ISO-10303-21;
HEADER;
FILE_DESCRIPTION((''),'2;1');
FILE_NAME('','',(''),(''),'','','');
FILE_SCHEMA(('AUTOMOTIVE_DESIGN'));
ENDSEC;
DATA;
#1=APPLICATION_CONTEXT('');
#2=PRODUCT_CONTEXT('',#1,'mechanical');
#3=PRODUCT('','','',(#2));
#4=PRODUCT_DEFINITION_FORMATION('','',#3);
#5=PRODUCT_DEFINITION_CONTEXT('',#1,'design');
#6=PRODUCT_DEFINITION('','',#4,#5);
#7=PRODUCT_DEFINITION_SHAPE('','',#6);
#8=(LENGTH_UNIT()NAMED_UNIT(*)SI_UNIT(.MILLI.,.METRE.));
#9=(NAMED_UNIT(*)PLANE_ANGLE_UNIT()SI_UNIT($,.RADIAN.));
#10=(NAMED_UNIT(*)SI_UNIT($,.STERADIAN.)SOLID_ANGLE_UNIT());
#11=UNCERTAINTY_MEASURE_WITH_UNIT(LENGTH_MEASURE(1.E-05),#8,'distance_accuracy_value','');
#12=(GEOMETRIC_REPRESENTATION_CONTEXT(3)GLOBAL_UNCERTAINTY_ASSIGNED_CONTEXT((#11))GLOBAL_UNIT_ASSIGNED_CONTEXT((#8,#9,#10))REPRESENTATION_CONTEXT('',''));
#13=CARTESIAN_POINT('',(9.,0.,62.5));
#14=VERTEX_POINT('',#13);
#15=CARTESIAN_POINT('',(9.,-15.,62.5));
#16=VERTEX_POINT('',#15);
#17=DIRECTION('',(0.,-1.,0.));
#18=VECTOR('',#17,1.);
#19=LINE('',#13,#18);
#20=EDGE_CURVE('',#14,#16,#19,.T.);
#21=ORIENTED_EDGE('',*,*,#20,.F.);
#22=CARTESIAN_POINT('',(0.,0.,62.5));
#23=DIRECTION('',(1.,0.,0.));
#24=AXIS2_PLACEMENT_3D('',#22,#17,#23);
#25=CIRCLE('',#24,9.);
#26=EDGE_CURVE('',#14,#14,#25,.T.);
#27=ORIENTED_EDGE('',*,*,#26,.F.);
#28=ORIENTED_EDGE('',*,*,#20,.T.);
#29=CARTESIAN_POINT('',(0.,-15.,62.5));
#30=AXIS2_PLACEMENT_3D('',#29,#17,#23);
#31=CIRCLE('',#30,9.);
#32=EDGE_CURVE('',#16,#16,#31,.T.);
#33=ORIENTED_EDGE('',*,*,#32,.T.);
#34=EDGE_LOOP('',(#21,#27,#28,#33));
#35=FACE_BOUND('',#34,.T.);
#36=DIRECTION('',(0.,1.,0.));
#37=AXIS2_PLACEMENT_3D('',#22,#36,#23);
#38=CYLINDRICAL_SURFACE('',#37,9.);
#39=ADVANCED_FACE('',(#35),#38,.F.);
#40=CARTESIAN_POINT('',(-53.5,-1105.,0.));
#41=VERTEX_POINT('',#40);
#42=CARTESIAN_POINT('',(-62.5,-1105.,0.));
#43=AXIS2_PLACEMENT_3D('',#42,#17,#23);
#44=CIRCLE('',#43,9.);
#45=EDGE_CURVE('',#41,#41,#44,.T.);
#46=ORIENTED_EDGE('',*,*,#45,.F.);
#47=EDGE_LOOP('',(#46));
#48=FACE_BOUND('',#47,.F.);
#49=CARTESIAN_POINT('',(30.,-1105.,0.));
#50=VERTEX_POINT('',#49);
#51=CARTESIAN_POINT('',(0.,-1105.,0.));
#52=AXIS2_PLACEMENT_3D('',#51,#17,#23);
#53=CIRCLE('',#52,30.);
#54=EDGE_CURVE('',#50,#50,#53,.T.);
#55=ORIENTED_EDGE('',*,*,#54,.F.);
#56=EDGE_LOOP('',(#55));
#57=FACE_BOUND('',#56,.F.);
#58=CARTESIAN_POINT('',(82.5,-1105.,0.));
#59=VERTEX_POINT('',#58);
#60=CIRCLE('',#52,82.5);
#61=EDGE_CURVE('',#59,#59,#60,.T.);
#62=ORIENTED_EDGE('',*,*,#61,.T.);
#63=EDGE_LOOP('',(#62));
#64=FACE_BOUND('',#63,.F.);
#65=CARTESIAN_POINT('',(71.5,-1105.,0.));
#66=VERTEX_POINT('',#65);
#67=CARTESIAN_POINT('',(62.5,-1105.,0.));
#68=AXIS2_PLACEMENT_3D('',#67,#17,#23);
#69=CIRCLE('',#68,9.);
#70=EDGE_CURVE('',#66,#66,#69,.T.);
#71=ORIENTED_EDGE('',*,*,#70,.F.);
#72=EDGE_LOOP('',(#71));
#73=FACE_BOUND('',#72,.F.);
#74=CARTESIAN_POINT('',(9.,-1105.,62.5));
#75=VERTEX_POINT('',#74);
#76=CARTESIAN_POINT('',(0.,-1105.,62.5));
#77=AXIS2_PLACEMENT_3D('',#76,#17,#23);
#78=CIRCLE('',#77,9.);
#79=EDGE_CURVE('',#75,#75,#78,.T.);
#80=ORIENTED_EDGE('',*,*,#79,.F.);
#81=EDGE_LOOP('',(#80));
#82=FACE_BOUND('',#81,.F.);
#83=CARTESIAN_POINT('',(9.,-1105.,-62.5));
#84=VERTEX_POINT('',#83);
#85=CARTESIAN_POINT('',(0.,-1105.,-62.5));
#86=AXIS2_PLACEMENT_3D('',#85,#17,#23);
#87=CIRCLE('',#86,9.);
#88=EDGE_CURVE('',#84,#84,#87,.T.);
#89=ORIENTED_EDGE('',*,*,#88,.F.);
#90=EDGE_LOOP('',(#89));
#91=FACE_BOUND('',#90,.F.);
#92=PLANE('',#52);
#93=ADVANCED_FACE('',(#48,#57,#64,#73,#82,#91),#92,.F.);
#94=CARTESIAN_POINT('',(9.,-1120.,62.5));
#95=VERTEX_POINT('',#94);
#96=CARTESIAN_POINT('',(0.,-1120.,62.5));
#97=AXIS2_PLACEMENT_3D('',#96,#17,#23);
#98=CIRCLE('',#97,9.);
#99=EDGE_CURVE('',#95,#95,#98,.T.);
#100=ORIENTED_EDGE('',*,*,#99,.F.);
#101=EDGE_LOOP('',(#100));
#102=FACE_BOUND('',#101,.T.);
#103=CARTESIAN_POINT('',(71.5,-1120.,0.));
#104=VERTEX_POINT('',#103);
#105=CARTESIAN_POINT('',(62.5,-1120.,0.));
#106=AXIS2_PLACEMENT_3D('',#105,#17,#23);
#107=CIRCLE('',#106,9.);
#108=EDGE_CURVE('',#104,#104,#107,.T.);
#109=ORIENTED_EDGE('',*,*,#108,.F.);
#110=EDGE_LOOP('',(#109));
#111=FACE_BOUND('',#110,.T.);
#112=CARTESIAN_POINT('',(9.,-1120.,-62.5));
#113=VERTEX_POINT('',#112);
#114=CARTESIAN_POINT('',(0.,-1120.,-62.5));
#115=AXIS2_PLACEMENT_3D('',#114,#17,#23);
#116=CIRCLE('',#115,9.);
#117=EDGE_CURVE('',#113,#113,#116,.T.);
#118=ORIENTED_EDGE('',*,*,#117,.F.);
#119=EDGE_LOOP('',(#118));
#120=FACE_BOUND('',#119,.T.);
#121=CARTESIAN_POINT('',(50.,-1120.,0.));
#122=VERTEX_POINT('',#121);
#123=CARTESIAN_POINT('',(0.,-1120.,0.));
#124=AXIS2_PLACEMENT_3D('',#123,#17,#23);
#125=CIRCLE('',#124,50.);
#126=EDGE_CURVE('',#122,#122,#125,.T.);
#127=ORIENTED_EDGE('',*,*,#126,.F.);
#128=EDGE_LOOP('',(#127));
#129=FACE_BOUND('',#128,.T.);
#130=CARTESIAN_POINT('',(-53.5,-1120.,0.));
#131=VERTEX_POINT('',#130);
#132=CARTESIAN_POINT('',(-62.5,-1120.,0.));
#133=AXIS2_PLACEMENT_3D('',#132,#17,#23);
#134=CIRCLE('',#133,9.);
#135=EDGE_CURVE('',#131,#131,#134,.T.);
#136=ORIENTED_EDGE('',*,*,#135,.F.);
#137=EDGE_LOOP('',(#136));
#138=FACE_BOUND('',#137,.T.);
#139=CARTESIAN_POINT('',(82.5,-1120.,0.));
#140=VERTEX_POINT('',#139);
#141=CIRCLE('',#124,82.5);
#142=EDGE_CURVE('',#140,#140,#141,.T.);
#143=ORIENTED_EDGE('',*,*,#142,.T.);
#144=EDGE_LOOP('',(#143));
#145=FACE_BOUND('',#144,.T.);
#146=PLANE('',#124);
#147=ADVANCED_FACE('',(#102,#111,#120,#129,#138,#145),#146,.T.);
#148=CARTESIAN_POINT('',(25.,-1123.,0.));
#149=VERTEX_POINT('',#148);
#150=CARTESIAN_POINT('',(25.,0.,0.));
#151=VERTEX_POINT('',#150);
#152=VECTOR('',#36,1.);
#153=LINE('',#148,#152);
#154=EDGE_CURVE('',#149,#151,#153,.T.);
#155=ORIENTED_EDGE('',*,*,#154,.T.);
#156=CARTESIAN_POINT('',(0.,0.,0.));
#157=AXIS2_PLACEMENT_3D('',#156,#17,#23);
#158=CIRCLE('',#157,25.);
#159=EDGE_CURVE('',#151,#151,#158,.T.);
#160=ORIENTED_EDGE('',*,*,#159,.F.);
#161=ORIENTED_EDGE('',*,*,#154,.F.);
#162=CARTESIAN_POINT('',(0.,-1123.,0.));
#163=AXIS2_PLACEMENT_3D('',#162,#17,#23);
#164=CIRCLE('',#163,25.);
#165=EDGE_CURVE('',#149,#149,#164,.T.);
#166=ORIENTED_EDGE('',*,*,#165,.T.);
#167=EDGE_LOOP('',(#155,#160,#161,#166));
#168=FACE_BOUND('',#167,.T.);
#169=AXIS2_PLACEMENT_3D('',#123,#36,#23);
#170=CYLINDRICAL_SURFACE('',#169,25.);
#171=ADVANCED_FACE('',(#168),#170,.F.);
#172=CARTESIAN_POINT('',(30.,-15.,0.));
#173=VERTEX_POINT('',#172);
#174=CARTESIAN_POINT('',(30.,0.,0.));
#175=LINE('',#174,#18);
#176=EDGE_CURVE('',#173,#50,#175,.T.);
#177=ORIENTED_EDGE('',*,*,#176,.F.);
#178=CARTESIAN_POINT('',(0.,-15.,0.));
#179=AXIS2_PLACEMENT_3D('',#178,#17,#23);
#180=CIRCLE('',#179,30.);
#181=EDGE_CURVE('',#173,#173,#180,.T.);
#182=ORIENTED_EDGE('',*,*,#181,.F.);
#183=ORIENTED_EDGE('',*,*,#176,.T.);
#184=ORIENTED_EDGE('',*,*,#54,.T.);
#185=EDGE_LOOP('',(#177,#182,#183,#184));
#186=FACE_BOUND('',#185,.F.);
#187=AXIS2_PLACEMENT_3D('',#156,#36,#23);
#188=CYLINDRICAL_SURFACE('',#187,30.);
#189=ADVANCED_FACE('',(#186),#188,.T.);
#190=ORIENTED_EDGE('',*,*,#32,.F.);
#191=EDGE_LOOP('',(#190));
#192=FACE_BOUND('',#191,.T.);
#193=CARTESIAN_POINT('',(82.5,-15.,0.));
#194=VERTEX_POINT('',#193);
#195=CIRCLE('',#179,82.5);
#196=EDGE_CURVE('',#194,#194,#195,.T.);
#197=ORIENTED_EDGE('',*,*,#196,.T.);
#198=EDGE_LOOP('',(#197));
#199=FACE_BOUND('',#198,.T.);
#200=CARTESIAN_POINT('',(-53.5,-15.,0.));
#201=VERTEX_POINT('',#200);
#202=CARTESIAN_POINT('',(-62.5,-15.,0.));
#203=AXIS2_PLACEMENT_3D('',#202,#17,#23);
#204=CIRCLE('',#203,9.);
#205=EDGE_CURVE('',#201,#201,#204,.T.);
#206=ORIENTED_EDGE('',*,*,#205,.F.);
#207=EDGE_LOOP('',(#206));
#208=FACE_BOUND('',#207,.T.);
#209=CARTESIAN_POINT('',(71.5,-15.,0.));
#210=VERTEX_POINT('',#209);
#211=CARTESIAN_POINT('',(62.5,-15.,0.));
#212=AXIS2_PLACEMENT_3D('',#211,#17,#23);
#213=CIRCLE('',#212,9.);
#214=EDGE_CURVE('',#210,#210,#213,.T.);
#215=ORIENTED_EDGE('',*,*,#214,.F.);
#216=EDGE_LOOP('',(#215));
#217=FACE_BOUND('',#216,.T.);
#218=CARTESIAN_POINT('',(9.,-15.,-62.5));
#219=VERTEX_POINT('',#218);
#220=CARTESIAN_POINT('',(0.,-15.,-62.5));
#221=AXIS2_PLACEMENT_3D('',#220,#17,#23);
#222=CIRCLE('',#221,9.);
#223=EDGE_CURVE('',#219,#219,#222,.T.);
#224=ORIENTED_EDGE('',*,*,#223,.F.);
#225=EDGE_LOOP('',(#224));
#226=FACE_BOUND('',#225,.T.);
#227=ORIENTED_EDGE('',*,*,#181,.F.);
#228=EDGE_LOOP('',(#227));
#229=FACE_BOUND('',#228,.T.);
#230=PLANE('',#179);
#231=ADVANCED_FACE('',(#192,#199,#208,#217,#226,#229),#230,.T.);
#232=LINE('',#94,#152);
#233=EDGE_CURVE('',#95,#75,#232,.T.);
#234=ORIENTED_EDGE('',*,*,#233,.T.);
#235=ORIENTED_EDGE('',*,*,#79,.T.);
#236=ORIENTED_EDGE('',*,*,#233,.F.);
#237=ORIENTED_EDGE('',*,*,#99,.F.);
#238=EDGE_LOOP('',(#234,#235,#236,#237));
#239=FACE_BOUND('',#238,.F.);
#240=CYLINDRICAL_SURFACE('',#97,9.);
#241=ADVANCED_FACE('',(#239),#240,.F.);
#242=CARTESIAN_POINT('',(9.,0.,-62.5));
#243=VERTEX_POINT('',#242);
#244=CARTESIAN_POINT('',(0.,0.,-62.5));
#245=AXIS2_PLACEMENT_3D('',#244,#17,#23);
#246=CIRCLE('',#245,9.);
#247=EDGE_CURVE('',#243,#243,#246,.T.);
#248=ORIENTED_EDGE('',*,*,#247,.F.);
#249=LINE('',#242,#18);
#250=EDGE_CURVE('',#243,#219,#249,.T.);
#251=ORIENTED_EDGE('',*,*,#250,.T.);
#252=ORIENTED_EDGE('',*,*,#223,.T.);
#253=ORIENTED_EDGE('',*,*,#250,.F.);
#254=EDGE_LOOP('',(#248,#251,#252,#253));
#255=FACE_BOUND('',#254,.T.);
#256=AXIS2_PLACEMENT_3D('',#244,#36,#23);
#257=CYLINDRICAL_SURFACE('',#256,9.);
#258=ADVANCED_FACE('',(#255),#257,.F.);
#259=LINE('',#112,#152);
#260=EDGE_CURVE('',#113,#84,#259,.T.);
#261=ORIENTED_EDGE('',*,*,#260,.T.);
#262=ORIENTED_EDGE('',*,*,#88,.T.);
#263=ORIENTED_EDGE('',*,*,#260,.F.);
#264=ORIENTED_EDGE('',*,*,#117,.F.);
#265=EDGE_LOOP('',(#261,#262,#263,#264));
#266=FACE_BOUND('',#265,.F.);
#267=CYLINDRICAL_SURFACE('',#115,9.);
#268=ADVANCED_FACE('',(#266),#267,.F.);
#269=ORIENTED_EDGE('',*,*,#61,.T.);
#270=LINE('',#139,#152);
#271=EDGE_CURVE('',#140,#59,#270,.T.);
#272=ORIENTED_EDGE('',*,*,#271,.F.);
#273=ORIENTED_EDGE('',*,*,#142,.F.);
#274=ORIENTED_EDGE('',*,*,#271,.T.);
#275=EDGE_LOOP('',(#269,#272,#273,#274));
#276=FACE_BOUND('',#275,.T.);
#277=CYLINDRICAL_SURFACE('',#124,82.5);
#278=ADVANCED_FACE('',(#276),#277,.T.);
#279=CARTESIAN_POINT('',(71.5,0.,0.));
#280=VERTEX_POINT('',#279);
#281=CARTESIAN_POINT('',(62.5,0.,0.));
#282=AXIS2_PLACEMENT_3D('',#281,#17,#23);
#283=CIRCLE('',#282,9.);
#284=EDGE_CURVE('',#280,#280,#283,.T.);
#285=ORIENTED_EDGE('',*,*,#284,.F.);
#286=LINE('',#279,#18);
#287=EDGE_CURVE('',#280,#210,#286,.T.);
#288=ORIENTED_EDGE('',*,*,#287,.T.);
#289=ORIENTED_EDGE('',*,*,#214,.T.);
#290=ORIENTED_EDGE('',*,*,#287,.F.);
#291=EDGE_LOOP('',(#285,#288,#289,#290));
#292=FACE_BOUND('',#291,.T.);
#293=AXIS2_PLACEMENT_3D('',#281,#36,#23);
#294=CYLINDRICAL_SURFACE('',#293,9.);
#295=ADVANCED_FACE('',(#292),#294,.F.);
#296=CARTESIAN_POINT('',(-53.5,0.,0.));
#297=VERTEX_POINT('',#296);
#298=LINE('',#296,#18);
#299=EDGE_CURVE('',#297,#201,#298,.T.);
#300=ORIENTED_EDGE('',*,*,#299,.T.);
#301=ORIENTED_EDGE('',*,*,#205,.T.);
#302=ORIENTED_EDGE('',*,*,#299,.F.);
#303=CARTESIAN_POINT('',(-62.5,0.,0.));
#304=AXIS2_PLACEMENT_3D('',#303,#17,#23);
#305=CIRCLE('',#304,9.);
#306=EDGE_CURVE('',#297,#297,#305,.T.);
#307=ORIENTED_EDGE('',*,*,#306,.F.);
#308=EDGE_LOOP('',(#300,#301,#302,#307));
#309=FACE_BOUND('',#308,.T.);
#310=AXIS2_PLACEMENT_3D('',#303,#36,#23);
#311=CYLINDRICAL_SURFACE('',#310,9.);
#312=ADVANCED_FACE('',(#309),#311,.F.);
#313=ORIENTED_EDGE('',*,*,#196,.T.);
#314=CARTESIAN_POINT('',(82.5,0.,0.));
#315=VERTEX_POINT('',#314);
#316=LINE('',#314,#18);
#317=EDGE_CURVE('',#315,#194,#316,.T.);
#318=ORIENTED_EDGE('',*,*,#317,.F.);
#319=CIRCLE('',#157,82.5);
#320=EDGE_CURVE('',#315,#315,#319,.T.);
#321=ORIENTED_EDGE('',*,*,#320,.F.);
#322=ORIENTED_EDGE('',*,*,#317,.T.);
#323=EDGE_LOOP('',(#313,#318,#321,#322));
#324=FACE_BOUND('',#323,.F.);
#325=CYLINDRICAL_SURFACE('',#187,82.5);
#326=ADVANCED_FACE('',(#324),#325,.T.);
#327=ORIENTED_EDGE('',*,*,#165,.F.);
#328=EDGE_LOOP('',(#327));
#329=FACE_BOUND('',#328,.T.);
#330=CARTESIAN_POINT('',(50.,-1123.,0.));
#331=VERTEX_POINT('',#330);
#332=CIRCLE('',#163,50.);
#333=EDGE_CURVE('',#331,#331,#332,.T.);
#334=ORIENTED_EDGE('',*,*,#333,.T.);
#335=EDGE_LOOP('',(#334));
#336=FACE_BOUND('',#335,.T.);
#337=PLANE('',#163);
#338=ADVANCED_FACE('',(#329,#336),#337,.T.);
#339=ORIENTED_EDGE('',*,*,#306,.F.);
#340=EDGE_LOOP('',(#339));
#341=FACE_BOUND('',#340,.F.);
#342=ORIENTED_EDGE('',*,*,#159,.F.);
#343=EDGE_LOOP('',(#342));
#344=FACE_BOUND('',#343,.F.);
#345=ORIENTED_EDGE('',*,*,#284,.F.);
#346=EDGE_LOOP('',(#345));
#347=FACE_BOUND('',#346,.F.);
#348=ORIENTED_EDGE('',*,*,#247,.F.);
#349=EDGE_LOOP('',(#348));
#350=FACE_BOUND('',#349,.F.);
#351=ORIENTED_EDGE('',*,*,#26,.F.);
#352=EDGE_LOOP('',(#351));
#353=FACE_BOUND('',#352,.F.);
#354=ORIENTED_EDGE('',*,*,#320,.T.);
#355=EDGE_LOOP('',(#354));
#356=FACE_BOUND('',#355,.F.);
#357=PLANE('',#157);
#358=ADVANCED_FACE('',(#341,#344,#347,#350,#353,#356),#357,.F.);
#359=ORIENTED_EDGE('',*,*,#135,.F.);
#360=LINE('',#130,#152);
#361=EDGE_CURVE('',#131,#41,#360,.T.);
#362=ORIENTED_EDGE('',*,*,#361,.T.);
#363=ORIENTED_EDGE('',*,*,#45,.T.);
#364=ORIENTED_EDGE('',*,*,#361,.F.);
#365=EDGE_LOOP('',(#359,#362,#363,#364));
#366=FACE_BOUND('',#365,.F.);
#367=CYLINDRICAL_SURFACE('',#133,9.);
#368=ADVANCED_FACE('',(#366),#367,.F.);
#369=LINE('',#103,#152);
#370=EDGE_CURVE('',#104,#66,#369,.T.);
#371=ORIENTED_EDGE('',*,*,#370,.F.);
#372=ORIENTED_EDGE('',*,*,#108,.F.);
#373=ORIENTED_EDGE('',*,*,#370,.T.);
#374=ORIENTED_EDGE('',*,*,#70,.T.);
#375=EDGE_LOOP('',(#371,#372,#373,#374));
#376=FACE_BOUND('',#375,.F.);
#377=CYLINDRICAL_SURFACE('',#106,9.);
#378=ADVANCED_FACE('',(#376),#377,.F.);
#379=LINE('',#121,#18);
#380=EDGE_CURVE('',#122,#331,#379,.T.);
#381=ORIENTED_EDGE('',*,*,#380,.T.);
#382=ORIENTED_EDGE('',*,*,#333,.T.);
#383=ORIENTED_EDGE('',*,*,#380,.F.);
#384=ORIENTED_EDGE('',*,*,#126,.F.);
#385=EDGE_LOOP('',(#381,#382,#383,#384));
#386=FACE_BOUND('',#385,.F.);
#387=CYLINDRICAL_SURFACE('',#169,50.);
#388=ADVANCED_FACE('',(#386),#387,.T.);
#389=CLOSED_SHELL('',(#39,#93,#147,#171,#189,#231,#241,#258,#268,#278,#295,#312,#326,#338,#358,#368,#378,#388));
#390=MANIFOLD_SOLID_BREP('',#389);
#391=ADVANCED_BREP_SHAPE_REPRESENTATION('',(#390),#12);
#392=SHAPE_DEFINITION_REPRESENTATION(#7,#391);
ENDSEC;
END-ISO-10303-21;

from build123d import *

# Parameters (mm, degrees)
F0_R     = 30
F0_R_2   = 25
F1_DEPTH = 1120
F0_R_3   = 82.5
F0_R_4   = 9
F2_DEPTH = 15
F3_R     = 82.5
F3_R_2   = 9
F3_R_3   = 30
F4_DEPTH = 15
F5_R     = 50
F5_R_2   = 25
F6_DEPTH = 3


with BuildPart() as f1:
    # F0 (on Front) → F1 (new body)
    with BuildSketch(Plane.XZ):
        Circle(F0_R)
        Circle(F0_R_2, mode=Mode.SUBTRACT)
    extrude(amount=F1_DEPTH)

    # F0 (on Front) → F2 (join)
    with BuildSketch(Plane.XZ):
        Circle(F0_R_3)
        with Locations((0, -62.5)):
            Circle(F0_R_4, mode=Mode.SUBTRACT)
        with Locations((-62.5, 0)):
            Circle(F0_R_4, mode=Mode.SUBTRACT)
        Circle(F0_R, mode=Mode.SUBTRACT)
        with Locations((62.5, 0)):
            Circle(F0_R_4, mode=Mode.SUBTRACT)
        with Locations((0, 62.5)):
            Circle(F0_R_4, mode=Mode.SUBTRACT)
    extrude(amount=F2_DEPTH)

    # F3 (on face) → F4 (join)
    with BuildSketch(Plane.XZ.offset(1120)):
        Circle(F3_R)
        with Locations((0, -62.5)):
            Circle(F3_R_2, mode=Mode.SUBTRACT)
        with Locations((-62.5, 0)):
            Circle(F3_R_2, mode=Mode.SUBTRACT)
        Circle(F3_R_3, mode=Mode.SUBTRACT)
        with Locations((62.5, 0)):
            Circle(F3_R_2, mode=Mode.SUBTRACT)
        with Locations((0, 62.5)):
            Circle(F3_R_2, mode=Mode.SUBTRACT)
    extrude(amount=-F4_DEPTH)

    # F5 (on face) → F6 (join)
    with BuildSketch(Plane.XZ.offset(1120)):
        Circle(F5_R)
        Circle(F5_R_2, mode=Mode.SUBTRACT)
    extrude(amount=F6_DEPTH)


solid = f1.part
